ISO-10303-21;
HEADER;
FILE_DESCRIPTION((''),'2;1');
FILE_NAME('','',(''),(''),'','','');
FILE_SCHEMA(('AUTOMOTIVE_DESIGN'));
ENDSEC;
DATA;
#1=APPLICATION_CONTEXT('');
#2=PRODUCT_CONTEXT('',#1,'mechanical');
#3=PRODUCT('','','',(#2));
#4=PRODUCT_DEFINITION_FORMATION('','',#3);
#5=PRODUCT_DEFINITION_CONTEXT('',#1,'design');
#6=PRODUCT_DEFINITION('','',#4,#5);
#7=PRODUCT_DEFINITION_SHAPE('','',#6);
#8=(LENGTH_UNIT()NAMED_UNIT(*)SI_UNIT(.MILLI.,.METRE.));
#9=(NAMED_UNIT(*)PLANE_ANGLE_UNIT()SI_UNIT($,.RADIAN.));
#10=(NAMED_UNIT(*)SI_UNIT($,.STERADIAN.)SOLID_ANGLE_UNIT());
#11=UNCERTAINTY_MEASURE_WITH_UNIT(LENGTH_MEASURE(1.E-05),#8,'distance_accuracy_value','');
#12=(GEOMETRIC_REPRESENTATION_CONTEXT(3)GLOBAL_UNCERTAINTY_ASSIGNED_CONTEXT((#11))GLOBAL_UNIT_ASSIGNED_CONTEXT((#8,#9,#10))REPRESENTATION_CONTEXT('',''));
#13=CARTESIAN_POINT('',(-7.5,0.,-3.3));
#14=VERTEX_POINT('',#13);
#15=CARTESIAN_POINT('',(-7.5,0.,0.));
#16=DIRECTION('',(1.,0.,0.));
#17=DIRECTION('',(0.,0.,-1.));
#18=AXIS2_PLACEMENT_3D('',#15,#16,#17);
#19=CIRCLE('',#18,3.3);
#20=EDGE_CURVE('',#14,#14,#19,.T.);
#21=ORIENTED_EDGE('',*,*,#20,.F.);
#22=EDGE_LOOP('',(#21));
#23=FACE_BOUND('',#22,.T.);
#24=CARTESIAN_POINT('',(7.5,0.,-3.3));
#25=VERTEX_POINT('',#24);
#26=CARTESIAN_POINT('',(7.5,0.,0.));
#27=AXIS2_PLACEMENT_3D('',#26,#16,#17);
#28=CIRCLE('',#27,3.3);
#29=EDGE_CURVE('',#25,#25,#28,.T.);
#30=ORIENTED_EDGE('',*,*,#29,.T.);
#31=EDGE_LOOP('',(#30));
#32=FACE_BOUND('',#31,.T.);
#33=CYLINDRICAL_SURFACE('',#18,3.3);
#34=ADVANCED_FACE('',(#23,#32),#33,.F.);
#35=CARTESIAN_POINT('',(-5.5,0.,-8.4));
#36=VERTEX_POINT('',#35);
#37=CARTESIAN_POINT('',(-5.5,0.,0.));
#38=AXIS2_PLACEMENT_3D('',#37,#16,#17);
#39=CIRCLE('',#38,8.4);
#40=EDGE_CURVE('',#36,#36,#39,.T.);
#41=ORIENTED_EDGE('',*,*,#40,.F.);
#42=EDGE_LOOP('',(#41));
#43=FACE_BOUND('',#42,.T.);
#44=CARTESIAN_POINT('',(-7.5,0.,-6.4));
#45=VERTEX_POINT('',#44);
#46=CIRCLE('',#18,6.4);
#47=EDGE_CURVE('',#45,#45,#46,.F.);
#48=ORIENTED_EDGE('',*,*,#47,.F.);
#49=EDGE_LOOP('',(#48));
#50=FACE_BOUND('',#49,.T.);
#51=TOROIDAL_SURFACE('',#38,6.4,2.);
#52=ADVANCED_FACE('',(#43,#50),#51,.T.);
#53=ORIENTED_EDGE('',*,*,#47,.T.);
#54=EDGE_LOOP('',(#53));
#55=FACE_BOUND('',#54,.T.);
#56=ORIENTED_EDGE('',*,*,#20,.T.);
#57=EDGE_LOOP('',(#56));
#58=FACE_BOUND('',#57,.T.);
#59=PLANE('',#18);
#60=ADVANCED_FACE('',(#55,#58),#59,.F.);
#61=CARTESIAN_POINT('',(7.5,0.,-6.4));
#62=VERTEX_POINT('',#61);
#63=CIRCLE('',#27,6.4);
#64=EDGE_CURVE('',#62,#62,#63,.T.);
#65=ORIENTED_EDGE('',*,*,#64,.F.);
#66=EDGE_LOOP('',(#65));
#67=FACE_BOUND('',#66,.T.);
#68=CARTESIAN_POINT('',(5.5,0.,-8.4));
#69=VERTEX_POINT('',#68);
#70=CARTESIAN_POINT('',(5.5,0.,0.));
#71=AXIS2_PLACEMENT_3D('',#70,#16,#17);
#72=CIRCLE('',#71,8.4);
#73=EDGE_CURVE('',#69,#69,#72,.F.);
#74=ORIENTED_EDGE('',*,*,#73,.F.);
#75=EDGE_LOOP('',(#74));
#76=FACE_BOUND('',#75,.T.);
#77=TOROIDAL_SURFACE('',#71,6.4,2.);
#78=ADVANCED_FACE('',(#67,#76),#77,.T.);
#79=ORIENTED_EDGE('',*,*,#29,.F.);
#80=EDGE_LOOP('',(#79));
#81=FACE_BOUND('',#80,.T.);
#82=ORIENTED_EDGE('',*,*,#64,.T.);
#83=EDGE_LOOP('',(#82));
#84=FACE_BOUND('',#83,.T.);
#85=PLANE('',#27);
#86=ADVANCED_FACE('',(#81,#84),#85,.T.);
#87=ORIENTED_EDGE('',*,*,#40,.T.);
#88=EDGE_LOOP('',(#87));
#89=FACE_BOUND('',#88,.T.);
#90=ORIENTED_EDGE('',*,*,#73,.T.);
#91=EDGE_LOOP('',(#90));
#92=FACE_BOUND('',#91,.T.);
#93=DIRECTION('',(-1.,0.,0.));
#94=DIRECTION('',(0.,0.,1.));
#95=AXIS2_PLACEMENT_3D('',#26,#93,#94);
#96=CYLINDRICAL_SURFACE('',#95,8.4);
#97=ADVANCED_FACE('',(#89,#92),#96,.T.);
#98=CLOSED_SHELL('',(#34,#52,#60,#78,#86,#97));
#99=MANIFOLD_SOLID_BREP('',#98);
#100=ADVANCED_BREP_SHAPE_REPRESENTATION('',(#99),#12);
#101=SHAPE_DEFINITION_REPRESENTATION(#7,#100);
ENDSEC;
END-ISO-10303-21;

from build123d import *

# Parameters (mm, degrees)
SKETCH_1_R          = 8.4
EXTRUDE_1_DEPTH     = 7.5
SKETCH_2_R          = 3.3
CUT_EXTRUDE_1_DEPTH = 15
FILLET_1_R          = 2


with BuildPart() as part:
    # 草图1 → 凸台-拉伸1 (new, symmetric)
    with BuildSketch(Plane(origin=(0, 0, 0), x_dir=(0, 0, -1), z_dir=(1, 0, 0))):
        Circle(SKETCH_1_R)
    extrude(amount=EXTRUDE_1_DEPTH, both=True)

    # 草图2 → 切除-拉伸1 (cut)
    with BuildSketch(Plane(origin=(7.5, 0, 0), x_dir=(0, 0, -1), z_dir=(1, 0, 0))):
        Circle(SKETCH_2_R)
    extrude(amount=-CUT_EXTRUDE_1_DEPTH, mode=Mode.SUBTRACT)

    # 圆角1
    fillet_1_edges = [part.edges().sort_by_distance(p)[0] for p in [
        (-7.5, 0, 8.4),
        (7.5, 0, 8.4),
    ]]
    fillet(fillet_1_edges, radius=FILLET_1_R)


solid = part.part
